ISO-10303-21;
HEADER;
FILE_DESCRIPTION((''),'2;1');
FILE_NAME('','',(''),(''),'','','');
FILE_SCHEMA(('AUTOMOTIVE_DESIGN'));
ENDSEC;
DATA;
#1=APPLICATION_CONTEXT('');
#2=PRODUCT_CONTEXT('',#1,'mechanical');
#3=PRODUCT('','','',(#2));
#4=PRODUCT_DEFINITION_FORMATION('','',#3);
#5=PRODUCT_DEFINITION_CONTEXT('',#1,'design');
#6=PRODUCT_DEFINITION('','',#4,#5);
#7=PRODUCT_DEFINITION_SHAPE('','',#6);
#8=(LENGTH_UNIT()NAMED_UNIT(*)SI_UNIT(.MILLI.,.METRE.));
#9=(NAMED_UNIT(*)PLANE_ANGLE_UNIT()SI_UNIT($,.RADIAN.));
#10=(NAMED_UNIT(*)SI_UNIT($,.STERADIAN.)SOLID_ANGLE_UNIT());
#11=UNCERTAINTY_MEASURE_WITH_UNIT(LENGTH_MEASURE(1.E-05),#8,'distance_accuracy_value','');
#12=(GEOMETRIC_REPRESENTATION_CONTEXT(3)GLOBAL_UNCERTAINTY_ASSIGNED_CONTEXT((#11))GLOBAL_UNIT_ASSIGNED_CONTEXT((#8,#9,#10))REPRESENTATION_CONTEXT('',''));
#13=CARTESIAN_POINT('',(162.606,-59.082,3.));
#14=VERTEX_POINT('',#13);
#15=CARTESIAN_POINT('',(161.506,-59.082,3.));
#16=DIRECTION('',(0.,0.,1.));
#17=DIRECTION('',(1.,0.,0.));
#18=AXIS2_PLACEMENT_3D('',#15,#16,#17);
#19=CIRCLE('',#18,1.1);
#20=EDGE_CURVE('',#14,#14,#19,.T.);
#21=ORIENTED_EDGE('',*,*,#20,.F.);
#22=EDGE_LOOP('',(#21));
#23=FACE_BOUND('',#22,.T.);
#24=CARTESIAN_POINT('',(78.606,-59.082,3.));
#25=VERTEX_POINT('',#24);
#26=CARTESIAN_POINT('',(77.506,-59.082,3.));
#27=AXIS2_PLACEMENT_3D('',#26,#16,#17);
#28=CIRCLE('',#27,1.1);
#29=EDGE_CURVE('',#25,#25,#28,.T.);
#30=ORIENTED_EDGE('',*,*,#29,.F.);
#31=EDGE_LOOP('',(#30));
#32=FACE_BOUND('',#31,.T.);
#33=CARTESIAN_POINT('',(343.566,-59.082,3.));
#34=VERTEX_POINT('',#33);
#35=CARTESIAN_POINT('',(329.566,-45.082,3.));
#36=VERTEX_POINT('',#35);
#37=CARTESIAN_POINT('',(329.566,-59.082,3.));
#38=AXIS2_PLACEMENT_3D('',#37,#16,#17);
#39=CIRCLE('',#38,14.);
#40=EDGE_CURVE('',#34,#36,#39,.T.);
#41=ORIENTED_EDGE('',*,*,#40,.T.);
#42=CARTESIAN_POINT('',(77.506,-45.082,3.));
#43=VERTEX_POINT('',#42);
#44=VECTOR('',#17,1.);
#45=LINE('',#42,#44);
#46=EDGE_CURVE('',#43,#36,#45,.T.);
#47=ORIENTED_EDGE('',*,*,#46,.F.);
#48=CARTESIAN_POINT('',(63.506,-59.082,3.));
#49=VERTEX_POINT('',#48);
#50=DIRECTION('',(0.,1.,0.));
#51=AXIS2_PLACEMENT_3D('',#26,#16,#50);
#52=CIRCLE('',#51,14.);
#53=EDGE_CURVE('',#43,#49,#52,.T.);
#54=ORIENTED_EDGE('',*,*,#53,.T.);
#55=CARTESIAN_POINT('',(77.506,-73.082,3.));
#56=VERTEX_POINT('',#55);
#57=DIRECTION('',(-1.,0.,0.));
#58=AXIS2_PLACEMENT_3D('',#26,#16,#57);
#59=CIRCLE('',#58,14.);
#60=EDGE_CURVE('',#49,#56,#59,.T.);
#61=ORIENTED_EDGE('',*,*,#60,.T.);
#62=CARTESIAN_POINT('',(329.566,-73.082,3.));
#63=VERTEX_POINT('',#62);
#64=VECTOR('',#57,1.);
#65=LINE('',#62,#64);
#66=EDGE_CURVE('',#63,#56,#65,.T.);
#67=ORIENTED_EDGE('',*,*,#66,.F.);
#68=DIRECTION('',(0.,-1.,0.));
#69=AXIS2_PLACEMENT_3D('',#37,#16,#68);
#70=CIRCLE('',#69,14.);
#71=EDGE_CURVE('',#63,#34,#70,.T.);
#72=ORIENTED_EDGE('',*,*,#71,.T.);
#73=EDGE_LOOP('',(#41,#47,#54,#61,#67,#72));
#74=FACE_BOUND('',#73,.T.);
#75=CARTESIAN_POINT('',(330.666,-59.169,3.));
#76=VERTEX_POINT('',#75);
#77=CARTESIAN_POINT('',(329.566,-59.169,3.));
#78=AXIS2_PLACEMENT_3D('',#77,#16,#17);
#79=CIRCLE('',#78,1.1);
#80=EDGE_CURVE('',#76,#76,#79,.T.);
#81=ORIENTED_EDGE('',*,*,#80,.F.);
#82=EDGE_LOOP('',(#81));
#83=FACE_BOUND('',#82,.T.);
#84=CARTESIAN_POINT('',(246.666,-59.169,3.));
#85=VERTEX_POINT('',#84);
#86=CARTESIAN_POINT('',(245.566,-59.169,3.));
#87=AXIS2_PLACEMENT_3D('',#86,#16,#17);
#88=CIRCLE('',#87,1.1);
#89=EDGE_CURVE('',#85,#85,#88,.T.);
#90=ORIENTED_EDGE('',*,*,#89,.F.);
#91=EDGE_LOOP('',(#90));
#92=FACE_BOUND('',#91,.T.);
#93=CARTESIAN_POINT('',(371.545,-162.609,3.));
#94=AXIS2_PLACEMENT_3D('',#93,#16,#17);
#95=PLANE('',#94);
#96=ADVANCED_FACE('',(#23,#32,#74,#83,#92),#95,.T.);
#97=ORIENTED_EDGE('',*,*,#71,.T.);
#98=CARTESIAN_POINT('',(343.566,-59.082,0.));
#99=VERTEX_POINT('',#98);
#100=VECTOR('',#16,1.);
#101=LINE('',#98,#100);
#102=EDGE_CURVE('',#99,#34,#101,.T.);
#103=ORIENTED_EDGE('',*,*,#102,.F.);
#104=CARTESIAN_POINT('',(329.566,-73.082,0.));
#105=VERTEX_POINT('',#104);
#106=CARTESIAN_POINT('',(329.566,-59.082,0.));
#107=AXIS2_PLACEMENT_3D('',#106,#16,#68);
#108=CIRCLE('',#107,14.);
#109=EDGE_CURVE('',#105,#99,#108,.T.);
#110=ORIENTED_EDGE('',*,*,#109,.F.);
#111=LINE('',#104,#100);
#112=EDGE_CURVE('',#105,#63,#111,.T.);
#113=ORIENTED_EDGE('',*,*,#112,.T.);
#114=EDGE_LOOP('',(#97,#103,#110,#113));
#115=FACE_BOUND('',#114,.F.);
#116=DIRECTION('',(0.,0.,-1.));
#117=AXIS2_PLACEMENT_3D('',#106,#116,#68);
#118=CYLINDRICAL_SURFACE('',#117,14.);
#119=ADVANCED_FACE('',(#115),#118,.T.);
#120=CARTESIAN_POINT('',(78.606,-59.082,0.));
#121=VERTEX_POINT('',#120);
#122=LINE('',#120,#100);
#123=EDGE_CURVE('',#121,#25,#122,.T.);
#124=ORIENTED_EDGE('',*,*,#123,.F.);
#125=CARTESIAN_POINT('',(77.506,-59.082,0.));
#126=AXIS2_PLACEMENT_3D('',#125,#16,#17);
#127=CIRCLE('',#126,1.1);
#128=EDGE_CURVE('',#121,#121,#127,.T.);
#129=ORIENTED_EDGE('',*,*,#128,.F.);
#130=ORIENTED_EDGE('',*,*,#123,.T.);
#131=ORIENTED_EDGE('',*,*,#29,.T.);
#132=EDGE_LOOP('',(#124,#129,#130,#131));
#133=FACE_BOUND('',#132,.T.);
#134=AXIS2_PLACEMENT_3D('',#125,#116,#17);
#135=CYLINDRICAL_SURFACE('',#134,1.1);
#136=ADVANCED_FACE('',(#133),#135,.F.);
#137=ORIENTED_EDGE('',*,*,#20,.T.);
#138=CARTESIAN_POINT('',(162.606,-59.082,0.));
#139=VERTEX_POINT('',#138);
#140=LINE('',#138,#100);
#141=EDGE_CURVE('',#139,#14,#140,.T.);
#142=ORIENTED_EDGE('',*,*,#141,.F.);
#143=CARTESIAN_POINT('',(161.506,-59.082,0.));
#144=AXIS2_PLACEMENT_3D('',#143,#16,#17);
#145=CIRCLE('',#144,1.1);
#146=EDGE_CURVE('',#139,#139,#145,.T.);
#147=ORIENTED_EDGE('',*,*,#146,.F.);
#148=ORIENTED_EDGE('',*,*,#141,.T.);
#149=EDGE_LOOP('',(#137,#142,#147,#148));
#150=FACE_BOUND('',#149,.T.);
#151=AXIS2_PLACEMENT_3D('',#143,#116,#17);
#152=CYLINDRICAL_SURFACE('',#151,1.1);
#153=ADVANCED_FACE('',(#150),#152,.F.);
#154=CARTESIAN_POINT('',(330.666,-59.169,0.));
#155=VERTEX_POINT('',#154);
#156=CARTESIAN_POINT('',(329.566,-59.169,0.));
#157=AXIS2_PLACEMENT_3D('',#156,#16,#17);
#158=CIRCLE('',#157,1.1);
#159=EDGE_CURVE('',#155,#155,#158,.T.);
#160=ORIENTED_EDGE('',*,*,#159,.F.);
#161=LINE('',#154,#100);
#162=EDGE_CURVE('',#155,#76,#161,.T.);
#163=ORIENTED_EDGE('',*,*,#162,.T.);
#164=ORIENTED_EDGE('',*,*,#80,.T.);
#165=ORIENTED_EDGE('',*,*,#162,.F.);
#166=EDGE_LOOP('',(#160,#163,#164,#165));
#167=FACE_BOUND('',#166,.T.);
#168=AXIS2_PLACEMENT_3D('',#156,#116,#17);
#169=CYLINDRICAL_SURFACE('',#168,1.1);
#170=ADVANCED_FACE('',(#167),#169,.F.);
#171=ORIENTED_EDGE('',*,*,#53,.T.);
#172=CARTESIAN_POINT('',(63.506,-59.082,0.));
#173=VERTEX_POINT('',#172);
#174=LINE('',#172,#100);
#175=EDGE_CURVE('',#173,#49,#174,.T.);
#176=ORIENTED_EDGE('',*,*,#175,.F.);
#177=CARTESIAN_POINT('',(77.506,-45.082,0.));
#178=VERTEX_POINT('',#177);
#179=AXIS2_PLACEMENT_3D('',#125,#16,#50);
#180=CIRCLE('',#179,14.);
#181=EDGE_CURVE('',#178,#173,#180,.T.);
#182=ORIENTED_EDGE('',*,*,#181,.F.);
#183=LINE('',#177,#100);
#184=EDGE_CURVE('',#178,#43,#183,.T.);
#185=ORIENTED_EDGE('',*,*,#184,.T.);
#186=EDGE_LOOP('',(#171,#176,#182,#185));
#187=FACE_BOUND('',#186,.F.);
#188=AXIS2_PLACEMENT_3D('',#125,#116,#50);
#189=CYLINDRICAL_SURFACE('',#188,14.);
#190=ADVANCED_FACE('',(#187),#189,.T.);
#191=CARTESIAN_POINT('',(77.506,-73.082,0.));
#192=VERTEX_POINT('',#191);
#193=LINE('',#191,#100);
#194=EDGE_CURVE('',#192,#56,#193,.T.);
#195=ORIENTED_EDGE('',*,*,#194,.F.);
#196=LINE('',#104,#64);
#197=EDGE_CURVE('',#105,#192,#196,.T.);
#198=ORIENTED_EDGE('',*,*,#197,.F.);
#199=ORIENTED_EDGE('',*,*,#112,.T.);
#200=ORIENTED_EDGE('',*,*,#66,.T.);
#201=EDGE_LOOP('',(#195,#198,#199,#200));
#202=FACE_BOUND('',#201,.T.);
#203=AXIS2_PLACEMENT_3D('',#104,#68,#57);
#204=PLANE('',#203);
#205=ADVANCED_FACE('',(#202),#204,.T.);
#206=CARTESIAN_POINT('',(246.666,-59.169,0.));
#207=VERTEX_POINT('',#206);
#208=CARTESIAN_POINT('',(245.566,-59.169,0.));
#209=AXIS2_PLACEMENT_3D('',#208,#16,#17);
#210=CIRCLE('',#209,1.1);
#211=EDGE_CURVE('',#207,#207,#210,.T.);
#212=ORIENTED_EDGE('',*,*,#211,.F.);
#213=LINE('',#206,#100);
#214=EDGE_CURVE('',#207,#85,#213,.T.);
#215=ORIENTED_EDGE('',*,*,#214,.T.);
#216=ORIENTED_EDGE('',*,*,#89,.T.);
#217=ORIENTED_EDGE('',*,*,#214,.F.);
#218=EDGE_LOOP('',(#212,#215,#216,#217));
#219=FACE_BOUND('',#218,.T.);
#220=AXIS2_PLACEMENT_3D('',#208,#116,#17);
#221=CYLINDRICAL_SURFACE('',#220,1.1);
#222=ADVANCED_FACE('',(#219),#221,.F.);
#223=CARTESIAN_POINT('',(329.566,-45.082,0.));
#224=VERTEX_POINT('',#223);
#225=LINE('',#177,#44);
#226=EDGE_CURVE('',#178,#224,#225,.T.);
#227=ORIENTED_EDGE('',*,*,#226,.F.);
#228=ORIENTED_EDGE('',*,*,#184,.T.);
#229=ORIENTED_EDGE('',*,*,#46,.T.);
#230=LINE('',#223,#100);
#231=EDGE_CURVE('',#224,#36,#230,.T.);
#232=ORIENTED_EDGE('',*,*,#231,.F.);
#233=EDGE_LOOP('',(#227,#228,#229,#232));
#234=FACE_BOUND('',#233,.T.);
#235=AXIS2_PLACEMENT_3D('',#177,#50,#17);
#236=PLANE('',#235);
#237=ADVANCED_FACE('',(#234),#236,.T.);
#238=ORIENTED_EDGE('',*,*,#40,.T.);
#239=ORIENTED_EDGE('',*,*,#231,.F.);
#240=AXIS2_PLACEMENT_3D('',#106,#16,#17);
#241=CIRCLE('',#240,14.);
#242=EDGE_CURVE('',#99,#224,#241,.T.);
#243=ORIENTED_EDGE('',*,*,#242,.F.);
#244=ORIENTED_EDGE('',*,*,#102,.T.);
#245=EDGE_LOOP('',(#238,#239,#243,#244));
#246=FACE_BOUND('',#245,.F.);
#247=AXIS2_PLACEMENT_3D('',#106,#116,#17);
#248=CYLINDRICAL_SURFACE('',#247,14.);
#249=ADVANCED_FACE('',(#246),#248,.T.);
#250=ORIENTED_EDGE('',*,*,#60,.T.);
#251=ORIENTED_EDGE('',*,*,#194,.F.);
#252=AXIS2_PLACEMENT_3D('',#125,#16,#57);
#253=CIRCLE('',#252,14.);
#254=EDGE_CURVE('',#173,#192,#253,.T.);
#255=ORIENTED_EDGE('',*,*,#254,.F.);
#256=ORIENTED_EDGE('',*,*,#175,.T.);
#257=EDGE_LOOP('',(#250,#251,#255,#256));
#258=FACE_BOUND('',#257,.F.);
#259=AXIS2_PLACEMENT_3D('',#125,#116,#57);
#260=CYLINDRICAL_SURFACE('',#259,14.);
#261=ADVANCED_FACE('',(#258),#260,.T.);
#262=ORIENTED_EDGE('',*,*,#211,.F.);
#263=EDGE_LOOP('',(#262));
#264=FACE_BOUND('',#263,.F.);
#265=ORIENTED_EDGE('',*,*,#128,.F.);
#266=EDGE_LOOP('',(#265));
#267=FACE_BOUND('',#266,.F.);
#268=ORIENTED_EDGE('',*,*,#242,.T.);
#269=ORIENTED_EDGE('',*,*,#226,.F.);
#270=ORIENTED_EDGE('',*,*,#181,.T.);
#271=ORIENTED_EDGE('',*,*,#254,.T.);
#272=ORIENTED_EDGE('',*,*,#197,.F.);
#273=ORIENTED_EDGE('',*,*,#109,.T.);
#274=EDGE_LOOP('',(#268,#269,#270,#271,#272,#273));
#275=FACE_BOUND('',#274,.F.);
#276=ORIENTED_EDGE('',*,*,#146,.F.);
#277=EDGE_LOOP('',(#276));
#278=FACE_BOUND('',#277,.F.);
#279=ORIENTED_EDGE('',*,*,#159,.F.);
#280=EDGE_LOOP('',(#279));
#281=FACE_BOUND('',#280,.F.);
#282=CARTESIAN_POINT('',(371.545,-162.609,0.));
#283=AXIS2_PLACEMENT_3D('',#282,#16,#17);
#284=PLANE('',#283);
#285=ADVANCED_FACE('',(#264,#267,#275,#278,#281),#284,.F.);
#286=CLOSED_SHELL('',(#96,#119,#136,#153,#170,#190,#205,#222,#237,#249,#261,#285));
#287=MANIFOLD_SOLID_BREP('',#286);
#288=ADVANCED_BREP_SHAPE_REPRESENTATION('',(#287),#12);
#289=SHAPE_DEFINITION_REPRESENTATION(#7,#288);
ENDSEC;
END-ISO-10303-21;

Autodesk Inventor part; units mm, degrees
ref_plane "YZ Plane" through (0, 0, 0) normal (1, 0, 0) x (0, 1, 0)
ref_plane "XZ Plane" through (0, 0, 0) normal (0, 1, 0) x (-1, 0, 0)
ref_plane "XY Plane" through (0, 0, 0) normal (0, 0, 1) x (1, 0, 0)
ref_plane "Work Plane2" through (35.545, -31.609, 1.6) normal (0, 0, 1) x (1, 0, 0)
sketch "Sketch2" plane through (35.545, -31.609, 1.6) normal (0, 0, 1) x (1, 0, 0)
  line L0 (-4.7778, 3.1171) -> (341.5466, 3.1925) construction
  line L1 (341.5466, 3.1925) -> (341.5765, -133.848) construction
  line L2 (341.5765, -133.848) -> (-4.7479, -133.9235) construction
  line L3 (-4.7479, -133.9235) -> (-4.7778, 3.1171) construction
  point P0 (-35.545, 31.609)
ref_plane "Work Plane1" through (371.545, -162.609, 0) normal (0, 0, -1) x (-1, 0, 0)
sketch "Sketch9" plane through (371.545, -162.609, 0) normal (0, 0, -1) x (-1, 0, 0)
  line L0 (336, 131) -> (0, 131) projected
  line L1 (-2, 129) -> (-2, 2) projected
  line L2 (-1.9796, 129.2846) -> (-2, 129) projected
  line L3 (-1.919, 129.5635) -> (-1.9796, 129.2846) projected
  line L4 (-1.8193, 129.8308) -> (-1.919, 129.5635) projected
  line L5 (-1.6825, 130.0813) -> (-1.8193, 129.8308) projected
  line L6 (-1.5115, 130.3097) -> (-1.6825, 130.0813) projected
  line L7 (-1.3097, 130.5115) -> (-1.5115, 130.3097) projected
  line L8 (-1.0813, 130.6825) -> (-1.3097, 130.5115) projected
  line L9 (-0.8308, 130.8193) -> (-1.0813, 130.6825) projected
  line L10 (-0.5635, 130.919) -> (-0.8308, 130.8193) projected
  line L11 (-0.2846, 130.9796) -> (-0.5635, 130.919) projected
  line L12 (0, 131) -> (-0.2846, 130.9796) projected
  circle A0 centre (2.362, 128.645) radius 1.1 projected
  circle A1 centre (68.695, 128.645) radius 1.1 projected
  circle A2 centre (135.028, 128.645) radius 1.1 projected
  circle A3 centre (201.361, 128.645) radius 1.1 projected
  circle A4 centre (267.694, 128.645) radius 1.1 projected
  circle A5 centre (334.027, 128.645) radius 1.1 projected
  line L13 (338, 2) -> (338, 129) projected
  line L14 (338, 129) -> (337.9796, 129.2846) projected
  line L15 (337.9796, 129.2846) -> (337.919, 129.5635) projected
  line L16 (337.919, 129.5635) -> (337.8193, 129.8308) projected
  line L17 (337.8193, 129.8308) -> (337.6825, 130.0813) projected
  line L18 (337.6825, 130.0813) -> (337.5115, 130.3097) projected
  line L19 (337.5115, 130.3097) -> (337.3097, 130.5115) projected
  line L20 (337.3097, 130.5115) -> (337.0813, 130.6825) projected
  line L21 (337.0813, 130.6825) -> (336.8308, 130.8193) projected
  line L22 (336.8308, 130.8193) -> (336.5635, 130.919) projected
  line L23 (336.5635, 130.919) -> (336.2846, 130.9796) projected
  line L24 (336.2846, 130.9796) -> (336, 131) projected
  line L25 (0, 0) -> (336, 0) projected
  line L26 (336, 0) -> (336.2846, 0.0204) projected
  line L27 (336.2846, 0.0204) -> (336.5635, 0.081) projected
  line L28 (336.5635, 0.081) -> (336.8308, 0.1807) projected
  line L29 (336.8308, 0.1807) -> (337.0813, 0.3175) projected
  line L30 (337.0813, 0.3175) -> (337.3097, 0.4885) projected
  line L31 (337.3097, 0.4885) -> (337.5115, 0.6903) projected
  line L32 (337.5115, 0.6903) -> (337.6825, 0.9187) projected
  line L33 (337.6825, 0.9187) -> (337.8193, 1.1692) projected
  line L34 (337.8193, 1.1692) -> (337.919, 1.4365) projected
  line L35 (337.919, 1.4365) -> (337.9796, 1.7154) projected
  line L36 (337.9796, 1.7154) -> (338, 2) projected
  circle A6 centre (334.02, 2.37) radius 1.1 projected
  circle A7 centre (267.687, 2.37) radius 1.1 projected
  circle A8 centre (201.354, 2.37) radius 1.1 projected
  circle A9 centre (135.021, 2.37) radius 1.1 projected
  circle A10 centre (68.688, 2.37) radius 1.1 projected
  circle A11 centre (2.355, 2.37) radius 1.1 projected
  line L37 (-0.2846, 0.0204) -> (0, 0) projected
  line L38 (-0.5635, 0.081) -> (-0.2846, 0.0204) projected
  line L39 (-0.8308, 0.1807) -> (-0.5635, 0.081) projected
  line L40 (-1.0813, 0.3175) -> (-0.8308, 0.1807) projected
  line L41 (-1.3097, 0.4885) -> (-1.0813, 0.3175) projected
  line L42 (-1.5115, 0.6903) -> (-1.3097, 0.4885) projected
  line L43 (-1.6825, 0.9187) -> (-1.5115, 0.6903) projected
  line L44 (-1.8193, 1.1692) -> (-1.6825, 0.9187) projected
  line L45 (-1.919, 1.4365) -> (-1.8193, 1.1692) projected
  line L46 (-1.9796, 1.7154) -> (-1.919, 1.4365) projected
  line L47 (-2, 2) -> (-1.9796, 1.7154) projected
  circle A12 centre (41.979, 103.44) radius 1.1 projected
  circle A13 centre (125.979, 103.44) radius 1.1 projected
  circle A14 centre (210.039, 103.527) radius 1.1 projected
  circle A15 centre (294.039, 103.527) radius 1.1 projected
  point P0 (371.545, 162.609)
ref_plane "Work Plane3" through (371.545, -162.609, 0) normal (0, 0, 1) x (1, 0, 0)
sketch "Sketch10" plane through (371.545, -162.609, 0) normal (0, 0, 1) x (1, 0, 0)
  circle A0 centre (-294.039, 103.527) radius 1.1 projected
  circle A1 centre (-210.039, 103.527) radius 1.1 projected
  circle A2 centre (-125.979, 103.44) radius 1.1 projected
  circle A3 centre (-41.979, 103.44) radius 1.1 projected
  line L0 (-294.039, 117.527) -> (-41.979, 117.527)
  line L1 (-27.979, 103.527) -> (-27.979, 103.527)
  line L2 (-41.979, 89.527) -> (-294.039, 89.527)
  line L3 (-308.039, 103.527) -> (-308.039, 103.527)
  arc A4 (-27.979, 103.527) -> (-41.979, 117.527) centre (-41.979, 103.527) ccw
  arc A5 (-41.979, 89.527) -> (-27.979, 103.527) centre (-41.979, 103.527) ccw
  arc A6 (-294.039, 117.527) -> (-308.039, 103.527) centre (-294.039, 103.527) ccw
  arc A7 (-308.039, 103.527) -> (-294.039, 89.527) centre (-294.039, 103.527) ccw
  point P0 (-371.545, 162.609)
  point P1 (-27.979, 103.527)
  dimension "d89" = 14
  dimension "d90" = 14
  dimension "d91" = 14
  dimension "d92" = 14
  dimension "d93" = 14
extrude "Extrusion4" add sketch "Sketch10" along normal blind 3
properties part number "foot2"
